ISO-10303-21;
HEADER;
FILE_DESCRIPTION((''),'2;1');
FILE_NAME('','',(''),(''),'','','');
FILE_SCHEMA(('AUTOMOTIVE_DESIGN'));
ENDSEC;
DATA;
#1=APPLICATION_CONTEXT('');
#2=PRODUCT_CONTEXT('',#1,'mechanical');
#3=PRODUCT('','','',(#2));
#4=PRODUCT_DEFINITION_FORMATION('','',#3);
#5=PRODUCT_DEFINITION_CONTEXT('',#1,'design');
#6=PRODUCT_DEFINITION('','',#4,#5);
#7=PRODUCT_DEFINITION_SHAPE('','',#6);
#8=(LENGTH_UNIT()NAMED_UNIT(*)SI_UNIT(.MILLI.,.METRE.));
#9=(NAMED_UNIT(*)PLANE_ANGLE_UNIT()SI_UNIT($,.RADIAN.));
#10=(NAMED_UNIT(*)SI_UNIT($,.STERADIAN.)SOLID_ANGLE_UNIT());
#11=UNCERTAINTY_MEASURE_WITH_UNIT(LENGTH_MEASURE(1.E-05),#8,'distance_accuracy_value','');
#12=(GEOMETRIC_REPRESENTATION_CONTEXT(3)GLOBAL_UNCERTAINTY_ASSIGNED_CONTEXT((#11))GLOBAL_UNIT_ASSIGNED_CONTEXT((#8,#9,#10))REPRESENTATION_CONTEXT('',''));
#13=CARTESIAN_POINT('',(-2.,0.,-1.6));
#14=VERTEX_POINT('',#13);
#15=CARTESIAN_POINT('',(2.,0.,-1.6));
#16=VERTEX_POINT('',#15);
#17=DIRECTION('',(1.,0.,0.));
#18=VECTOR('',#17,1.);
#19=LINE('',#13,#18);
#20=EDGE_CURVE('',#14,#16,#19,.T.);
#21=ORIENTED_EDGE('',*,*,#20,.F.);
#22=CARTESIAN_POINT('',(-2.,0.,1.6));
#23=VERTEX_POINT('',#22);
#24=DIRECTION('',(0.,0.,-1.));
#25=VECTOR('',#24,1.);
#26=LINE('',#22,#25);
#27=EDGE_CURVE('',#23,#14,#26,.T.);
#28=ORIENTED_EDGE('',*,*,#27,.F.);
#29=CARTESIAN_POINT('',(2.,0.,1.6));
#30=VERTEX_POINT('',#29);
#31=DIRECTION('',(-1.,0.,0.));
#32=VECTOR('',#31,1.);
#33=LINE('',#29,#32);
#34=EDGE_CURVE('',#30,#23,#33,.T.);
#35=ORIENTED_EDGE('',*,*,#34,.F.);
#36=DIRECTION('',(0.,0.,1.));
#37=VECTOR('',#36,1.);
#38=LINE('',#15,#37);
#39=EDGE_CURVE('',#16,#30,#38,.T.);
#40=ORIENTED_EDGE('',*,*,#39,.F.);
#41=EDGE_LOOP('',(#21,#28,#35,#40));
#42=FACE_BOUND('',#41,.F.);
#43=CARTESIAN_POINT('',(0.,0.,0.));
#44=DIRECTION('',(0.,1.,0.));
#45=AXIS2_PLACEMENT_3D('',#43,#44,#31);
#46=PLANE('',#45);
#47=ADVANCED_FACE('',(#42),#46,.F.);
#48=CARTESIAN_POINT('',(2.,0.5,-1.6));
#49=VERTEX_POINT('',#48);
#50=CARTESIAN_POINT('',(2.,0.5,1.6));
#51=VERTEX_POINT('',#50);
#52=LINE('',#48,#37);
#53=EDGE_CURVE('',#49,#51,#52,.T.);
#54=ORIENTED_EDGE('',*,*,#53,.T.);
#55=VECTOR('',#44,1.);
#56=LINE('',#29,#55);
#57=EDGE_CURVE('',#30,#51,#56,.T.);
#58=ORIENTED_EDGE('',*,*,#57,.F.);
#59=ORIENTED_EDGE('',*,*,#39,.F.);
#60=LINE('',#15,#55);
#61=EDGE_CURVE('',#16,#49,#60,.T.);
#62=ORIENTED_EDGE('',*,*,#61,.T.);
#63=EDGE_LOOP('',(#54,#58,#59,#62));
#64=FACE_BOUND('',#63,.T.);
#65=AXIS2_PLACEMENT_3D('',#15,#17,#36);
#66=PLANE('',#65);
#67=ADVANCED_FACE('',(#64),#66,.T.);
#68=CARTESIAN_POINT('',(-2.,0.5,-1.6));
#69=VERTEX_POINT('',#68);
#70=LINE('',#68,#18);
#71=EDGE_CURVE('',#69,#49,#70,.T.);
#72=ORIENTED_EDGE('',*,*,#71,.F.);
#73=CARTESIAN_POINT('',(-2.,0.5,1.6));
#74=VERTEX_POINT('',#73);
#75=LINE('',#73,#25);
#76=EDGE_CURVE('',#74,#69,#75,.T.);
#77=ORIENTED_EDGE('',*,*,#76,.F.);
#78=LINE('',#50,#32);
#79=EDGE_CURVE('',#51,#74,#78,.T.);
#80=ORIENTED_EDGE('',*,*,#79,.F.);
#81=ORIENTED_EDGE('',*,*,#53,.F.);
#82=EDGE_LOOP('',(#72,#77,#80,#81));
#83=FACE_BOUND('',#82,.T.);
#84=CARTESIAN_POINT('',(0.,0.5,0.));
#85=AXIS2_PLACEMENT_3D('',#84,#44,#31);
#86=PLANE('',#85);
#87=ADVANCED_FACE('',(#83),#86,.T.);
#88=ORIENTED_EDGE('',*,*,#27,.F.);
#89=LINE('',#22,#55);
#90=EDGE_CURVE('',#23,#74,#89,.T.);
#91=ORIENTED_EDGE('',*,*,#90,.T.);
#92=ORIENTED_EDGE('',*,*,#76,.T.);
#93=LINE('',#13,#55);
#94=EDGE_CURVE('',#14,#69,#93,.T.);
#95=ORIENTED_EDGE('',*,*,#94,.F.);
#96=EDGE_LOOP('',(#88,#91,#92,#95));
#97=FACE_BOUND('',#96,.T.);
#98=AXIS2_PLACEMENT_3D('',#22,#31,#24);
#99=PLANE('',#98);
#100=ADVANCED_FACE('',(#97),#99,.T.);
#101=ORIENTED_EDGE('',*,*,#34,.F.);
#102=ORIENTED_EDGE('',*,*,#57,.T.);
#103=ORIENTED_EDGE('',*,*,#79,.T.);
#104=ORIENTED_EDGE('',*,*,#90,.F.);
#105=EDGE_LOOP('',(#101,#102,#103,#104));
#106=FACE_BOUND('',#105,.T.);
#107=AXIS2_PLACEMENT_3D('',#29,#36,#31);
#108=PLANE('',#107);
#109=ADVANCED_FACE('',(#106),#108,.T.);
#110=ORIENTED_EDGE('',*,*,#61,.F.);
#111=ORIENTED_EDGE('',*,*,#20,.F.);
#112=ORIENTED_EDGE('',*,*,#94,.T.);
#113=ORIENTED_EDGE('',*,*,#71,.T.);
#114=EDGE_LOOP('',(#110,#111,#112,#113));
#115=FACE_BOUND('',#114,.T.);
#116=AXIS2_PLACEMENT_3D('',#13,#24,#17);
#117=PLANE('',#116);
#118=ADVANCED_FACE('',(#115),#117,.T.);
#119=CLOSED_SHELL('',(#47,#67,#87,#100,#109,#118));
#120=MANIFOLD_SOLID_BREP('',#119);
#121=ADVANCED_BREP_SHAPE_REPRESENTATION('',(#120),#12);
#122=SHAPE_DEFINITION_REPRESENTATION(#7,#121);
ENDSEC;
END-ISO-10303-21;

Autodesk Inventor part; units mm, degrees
ref_plane "YZ Plane" through (0, 0, 0) normal (1, 0, 0) x (0, 1, 0)
ref_plane "XZ Plane" through (0, 0, 0) normal (0, 1, 0) x (-1, 0, 0)
ref_plane "XY Plane" through (0, 0, 0) normal (0, 0, 1) x (1, 0, 0)
sketch "Sketch1" plane through (0, 0, 0) normal (0, 1, 0) x (-1, 0, 0)
  line L0 (-2, 1.6) -> (2, 1.6)
  line L1 (2, 1.6) -> (2, -1.6)
  line L2 (2, -1.6) -> (-2, -1.6)
  line L3 (-2, -1.6) -> (-2, 1.6)
  line L4 (-2, 1.6) -> (2, -1.6) construction
  line L5 (2, 1.6) -> (-2, -1.6) construction
  point P0 (0, 0)
  dimension "d0" = 4
  dimension "d1" = 3.2
extrude "Extrusion1" add sketch "Sketch1" along normal blind 0.5
properties part number "graphite_new" material "Iron, Ductile"
